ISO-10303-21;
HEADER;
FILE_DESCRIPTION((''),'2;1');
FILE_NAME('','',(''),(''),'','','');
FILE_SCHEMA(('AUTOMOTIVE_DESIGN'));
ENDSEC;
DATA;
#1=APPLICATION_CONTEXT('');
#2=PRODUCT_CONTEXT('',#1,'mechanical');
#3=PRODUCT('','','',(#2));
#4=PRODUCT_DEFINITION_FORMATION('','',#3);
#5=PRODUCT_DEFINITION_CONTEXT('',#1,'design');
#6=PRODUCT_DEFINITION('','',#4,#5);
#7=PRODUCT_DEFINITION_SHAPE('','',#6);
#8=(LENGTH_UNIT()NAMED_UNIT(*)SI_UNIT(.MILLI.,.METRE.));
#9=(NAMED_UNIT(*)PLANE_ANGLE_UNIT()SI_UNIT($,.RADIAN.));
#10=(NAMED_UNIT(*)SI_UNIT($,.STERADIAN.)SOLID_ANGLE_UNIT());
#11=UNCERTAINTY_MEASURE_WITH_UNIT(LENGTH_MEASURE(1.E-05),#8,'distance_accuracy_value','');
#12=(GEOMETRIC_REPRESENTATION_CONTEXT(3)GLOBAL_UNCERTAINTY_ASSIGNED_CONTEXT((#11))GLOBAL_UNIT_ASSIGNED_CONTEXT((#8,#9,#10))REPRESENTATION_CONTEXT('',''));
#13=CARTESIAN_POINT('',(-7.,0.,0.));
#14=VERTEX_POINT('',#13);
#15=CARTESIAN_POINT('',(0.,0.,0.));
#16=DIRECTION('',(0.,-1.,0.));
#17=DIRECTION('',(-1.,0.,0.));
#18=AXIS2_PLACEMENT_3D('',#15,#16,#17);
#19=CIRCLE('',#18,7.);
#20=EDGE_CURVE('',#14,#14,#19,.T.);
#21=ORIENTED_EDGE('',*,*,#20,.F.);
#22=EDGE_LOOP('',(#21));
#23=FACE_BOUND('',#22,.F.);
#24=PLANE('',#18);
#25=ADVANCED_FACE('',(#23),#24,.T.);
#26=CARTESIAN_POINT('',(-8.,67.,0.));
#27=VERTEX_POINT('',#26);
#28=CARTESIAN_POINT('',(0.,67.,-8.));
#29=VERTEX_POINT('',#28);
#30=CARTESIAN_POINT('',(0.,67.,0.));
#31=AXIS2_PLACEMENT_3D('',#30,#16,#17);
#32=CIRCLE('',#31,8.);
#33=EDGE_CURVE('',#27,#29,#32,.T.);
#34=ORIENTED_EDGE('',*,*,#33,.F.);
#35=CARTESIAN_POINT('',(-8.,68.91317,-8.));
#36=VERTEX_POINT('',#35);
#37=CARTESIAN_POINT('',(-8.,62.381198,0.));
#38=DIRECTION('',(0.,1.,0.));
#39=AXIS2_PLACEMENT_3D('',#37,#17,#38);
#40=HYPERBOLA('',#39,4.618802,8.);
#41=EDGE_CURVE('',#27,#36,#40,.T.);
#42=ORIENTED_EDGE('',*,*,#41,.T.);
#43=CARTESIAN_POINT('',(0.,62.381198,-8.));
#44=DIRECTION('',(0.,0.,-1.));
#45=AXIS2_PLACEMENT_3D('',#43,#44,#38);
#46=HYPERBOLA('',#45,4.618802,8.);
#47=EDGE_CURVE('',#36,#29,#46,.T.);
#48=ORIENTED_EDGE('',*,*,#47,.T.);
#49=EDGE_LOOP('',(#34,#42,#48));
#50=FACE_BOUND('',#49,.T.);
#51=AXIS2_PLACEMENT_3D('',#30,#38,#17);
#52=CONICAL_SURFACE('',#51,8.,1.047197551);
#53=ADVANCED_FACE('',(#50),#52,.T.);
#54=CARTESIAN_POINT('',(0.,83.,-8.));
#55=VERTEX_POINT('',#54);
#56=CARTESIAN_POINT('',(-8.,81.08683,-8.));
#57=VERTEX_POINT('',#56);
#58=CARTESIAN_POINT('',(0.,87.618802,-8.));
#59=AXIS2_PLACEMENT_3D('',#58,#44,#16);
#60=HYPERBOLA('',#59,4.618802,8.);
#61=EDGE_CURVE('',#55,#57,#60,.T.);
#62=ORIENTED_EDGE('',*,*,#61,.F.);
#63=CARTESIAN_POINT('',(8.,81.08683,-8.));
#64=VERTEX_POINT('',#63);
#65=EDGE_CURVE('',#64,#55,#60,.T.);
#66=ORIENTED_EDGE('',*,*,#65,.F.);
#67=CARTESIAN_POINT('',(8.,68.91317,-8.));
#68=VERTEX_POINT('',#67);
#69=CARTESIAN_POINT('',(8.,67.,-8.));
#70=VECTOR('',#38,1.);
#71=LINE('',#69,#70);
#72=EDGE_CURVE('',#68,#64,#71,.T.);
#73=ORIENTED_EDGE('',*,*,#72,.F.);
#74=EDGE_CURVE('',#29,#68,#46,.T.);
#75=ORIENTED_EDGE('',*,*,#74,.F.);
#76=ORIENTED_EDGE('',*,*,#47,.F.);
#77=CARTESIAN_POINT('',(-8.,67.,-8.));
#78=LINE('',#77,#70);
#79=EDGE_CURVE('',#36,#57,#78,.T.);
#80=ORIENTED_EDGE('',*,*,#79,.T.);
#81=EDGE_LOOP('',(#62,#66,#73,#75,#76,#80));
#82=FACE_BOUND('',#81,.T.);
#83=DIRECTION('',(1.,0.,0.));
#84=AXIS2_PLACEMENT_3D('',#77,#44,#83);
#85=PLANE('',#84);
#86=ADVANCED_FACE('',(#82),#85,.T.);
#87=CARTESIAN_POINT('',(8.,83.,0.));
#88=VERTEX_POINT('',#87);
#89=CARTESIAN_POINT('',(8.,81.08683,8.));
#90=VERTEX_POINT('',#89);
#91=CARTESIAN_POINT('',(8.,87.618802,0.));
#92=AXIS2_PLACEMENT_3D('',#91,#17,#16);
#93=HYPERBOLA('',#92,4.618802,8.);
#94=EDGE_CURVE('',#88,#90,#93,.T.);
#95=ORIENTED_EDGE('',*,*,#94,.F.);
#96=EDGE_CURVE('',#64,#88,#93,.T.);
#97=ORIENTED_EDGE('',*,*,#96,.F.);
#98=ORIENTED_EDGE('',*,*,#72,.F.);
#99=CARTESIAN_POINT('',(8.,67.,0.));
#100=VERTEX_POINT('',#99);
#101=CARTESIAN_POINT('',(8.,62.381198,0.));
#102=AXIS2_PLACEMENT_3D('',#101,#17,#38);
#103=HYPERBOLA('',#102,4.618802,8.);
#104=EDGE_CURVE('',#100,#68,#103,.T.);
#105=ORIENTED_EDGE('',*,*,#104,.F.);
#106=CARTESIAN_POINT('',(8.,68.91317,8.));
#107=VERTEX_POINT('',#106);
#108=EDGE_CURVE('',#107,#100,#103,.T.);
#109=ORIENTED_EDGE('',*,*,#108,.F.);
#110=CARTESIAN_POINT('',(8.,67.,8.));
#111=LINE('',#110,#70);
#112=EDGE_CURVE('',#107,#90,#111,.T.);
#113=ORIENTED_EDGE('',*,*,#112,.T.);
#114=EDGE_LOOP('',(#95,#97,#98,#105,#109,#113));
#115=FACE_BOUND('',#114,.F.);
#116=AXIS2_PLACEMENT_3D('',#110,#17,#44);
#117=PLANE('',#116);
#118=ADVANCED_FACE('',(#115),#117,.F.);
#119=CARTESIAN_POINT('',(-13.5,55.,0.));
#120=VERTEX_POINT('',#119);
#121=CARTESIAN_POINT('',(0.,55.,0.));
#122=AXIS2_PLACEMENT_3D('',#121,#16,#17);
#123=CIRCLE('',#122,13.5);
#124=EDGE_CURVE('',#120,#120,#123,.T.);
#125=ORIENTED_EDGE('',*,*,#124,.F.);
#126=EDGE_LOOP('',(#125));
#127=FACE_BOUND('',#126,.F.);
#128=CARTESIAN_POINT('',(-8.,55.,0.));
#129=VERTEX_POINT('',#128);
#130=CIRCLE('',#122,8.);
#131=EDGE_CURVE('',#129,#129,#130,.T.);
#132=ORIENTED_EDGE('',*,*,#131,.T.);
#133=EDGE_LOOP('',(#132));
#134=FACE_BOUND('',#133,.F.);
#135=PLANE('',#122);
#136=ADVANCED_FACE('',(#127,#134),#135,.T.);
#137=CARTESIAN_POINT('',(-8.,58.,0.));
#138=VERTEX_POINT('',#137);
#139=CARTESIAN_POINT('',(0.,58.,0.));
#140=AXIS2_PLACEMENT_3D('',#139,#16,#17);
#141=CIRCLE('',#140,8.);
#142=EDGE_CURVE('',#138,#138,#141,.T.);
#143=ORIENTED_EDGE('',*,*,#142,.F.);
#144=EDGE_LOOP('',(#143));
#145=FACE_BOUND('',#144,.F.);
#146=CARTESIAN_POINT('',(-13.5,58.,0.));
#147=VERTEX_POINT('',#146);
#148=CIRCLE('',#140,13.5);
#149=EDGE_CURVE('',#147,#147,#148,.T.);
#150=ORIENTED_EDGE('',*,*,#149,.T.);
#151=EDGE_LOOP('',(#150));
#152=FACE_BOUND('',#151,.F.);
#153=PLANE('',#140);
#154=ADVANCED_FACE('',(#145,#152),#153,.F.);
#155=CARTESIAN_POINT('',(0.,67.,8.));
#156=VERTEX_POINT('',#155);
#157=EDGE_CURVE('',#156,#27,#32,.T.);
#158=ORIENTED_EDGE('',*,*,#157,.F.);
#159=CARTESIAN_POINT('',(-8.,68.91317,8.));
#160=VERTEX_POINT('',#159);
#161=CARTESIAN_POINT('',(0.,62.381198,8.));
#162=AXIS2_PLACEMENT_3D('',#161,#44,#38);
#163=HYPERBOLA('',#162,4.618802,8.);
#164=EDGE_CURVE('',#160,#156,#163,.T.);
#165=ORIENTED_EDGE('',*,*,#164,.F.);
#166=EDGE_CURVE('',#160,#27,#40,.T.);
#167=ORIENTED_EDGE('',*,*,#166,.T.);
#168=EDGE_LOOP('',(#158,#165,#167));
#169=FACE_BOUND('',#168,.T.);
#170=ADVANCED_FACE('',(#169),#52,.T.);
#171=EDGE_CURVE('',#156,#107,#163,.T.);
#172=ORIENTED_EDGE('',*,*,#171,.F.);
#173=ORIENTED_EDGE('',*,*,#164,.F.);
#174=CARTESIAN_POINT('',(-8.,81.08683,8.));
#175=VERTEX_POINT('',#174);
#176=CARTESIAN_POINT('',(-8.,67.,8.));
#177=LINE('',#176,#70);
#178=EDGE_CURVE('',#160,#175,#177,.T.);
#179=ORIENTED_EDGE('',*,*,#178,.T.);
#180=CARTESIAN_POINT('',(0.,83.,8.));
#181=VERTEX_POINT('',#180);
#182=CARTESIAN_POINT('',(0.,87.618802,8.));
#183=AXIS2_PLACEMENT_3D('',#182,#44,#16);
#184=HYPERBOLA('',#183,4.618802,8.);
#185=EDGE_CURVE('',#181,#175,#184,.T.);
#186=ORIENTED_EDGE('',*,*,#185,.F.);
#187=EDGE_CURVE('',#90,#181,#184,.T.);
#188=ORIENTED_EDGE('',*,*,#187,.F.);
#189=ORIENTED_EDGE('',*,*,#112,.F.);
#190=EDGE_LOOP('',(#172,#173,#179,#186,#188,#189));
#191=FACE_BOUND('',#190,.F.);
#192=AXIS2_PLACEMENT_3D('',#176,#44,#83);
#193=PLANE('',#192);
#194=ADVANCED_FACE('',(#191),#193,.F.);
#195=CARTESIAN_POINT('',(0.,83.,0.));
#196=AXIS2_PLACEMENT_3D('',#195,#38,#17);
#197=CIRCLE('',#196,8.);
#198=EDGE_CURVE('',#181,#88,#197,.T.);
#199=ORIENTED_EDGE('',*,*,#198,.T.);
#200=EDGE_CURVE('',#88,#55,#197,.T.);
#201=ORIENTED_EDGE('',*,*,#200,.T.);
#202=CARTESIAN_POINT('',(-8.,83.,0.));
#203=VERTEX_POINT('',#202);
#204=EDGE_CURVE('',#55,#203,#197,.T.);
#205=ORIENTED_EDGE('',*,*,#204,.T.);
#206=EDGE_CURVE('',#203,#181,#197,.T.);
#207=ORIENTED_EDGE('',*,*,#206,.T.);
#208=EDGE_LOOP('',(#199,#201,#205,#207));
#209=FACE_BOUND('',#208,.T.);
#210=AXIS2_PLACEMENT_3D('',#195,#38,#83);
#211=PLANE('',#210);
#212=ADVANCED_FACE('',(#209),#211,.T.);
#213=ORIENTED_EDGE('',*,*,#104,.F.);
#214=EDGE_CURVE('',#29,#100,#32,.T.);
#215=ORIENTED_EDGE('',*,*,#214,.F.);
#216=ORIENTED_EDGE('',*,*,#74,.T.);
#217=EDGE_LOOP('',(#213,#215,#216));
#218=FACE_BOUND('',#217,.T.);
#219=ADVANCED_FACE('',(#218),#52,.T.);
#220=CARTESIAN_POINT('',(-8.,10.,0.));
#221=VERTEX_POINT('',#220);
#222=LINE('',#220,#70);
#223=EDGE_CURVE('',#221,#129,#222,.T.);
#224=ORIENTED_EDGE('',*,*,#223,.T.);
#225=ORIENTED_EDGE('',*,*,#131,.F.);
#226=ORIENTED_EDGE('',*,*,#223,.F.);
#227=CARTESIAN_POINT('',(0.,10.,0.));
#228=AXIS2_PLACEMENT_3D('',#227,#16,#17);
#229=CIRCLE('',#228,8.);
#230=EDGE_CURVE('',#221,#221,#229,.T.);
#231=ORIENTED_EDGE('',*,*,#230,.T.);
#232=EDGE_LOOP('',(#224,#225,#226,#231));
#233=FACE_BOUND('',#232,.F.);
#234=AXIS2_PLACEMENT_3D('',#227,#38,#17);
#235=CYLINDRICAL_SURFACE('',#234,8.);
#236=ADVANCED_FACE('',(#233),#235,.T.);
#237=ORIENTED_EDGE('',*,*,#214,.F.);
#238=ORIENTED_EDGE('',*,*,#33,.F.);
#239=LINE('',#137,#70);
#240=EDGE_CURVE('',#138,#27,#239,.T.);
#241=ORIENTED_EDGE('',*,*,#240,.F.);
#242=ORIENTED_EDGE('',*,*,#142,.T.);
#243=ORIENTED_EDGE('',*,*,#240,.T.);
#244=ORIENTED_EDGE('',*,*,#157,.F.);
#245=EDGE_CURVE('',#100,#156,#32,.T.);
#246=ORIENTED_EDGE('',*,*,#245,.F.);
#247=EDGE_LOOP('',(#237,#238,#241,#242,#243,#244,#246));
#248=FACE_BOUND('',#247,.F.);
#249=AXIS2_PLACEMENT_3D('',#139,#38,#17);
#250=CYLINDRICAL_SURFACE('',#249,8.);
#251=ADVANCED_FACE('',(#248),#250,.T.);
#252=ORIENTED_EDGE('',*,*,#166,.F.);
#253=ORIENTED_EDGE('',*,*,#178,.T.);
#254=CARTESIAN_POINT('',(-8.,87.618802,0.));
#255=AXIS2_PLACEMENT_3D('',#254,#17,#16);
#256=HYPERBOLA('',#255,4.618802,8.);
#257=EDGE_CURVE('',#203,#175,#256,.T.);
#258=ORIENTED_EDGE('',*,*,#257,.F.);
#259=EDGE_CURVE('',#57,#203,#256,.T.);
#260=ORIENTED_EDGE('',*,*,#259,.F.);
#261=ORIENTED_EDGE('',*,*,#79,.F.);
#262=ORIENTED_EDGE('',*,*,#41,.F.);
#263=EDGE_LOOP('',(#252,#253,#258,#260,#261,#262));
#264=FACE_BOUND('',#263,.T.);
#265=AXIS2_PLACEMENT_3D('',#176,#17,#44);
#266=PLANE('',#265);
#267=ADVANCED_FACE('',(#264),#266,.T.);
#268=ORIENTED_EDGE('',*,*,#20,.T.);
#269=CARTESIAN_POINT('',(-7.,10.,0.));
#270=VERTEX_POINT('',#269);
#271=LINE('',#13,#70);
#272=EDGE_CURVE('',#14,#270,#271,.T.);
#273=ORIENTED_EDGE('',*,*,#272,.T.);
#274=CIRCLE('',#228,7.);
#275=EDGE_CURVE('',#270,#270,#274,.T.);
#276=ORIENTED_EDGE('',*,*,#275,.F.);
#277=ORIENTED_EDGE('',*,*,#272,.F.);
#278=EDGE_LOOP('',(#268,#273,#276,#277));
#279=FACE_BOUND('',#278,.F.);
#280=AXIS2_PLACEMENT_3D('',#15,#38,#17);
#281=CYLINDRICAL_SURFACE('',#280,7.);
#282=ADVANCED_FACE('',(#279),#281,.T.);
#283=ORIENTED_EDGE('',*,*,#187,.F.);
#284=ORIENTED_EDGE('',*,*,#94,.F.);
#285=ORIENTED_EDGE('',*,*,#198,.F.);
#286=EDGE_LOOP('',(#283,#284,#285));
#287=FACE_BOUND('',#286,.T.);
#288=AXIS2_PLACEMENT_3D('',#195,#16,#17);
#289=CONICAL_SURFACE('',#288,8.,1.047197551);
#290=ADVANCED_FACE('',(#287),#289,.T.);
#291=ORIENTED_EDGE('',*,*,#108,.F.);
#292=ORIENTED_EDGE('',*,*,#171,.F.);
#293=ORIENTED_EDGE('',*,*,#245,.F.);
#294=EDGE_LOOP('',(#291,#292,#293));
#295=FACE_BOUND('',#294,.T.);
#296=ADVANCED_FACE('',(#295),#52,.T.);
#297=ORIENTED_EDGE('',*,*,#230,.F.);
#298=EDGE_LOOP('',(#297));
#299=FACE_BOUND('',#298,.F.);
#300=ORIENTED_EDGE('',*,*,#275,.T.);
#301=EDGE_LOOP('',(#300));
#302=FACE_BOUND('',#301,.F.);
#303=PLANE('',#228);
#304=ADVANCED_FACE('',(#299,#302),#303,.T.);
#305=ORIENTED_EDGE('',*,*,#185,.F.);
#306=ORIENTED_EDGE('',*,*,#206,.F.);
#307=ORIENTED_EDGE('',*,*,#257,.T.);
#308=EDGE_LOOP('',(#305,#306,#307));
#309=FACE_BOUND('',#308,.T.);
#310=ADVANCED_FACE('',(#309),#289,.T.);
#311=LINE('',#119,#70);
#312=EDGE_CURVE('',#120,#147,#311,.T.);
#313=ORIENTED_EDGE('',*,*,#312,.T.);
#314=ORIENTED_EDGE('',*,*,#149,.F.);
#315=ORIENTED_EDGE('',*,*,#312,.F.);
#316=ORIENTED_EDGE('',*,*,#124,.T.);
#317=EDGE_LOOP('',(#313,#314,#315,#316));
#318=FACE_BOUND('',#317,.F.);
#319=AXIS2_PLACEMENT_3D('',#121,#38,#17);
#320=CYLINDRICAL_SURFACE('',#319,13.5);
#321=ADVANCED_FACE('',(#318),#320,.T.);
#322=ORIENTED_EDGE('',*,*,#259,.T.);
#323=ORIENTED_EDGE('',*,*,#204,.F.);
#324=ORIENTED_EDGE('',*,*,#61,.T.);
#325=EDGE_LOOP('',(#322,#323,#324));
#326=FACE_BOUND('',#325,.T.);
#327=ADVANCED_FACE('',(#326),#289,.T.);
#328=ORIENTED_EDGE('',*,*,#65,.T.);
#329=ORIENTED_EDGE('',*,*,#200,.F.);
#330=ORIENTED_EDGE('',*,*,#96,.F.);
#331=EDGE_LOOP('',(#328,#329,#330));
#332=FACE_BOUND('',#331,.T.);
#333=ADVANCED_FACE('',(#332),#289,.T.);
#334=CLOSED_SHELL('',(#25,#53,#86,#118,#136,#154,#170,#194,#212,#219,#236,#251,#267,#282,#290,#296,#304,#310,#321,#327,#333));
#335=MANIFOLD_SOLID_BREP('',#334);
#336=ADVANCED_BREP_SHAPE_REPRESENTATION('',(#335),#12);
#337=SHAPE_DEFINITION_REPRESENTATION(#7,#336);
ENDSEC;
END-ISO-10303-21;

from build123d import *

# Parameters (mm, degrees)
SKETCH2_W           = 16
SKETCH2_H           = 16
BOSS_EXTRUDE1_DEPTH = 16
SKETCH3_OUTSIDE_W   = 81.914
SKETCH3_OUTSIDE_H   = 81.914
SKETCH3_OUTSIDE_R   = 8
CUT_EXTRUDE1_DEPTH  = 10
CUT_EXTRUDE1_DRAFT  = -60
SKETCH4_OUTSIDE_W   = 81.914
SKETCH4_OUTSIDE_H   = 81.914
SKETCH4_OUTSIDE_R   = 8
CUT_EXTRUDE2_DEPTH  = 10
CUT_EXTRUDE2_DRAFT  = -60


with BuildPart() as part:
    # Sketch1 → Revolve1 (revolve)
    with BuildSketch(Plane.XY):
        Polygon((0, 0), (-7, 0), (-7, 10), (-8, 10), (-8, 55), (-13.5, 55), (-13.5, 58), (-8, 58), (-8, 67), (0, 67), align=None)
    revolve(axis=Axis((0, 67, 0), (0, -1, 0)))

    # Sketch2 → Boss-Extrude1 (add)
    with BuildSketch(Plane(origin=(0, 67, 0), x_dir=(1, 0, 0), z_dir=(0, 1, 0))):
        Rectangle(SKETCH2_W, SKETCH2_H)
    extrude(amount=BOSS_EXTRUDE1_DEPTH)


with BuildPart() as cut_extrude1_tool:
    # Sketch3 outside → Cut-Extrude1 (with draft: the straight prism first)
    with BuildSketch(Plane(origin=(0, 83, 0), x_dir=(1, 0, 0), z_dir=(0, 1, 0))):
        Rectangle(SKETCH3_OUTSIDE_W, SKETCH3_OUTSIDE_H)
        with Locations(Location((0, 0, 0), (0, 0, 180))):
            Circle(SKETCH3_OUTSIDE_R, mode=Mode.SUBTRACT)
    extrude(amount=-CUT_EXTRUDE1_DEPTH)
    # Cut-Extrude1: the draft: its side faces are tilted about the plane it starts from
    cut_extrude1_sides = [cut_extrude1_tool.faces().sort_by_distance(p)[0] for p in [
        (0, 78, 40.957),
        (40.957, 78, 0),
        (0, 78, -40.957),
        (-40.957, 78, 0),
        (8, 78, 0),
    ]]
    draft(cut_extrude1_sides, Plane(origin=(0, 83, 0), x_dir=(1, 0, 0), z_dir=(0, 1, 0)), CUT_EXTRUDE1_DRAFT)


with BuildPart() as part_1:
    add(part.part)

    # Cut-Extrude1: cut by cut_extrude1_tool
    add(cut_extrude1_tool.part, mode=Mode.SUBTRACT)


with BuildPart() as cut_extrude2_tool:
    # Sketch4 outside → Cut-Extrude2 (with draft: the straight prism first)
    with BuildSketch(Plane.XZ.offset(-67)):
        Rectangle(SKETCH4_OUTSIDE_W, SKETCH4_OUTSIDE_H)
        with Locations(Location((0, 0, 0), (0, 0, 180))):
            Circle(SKETCH4_OUTSIDE_R, mode=Mode.SUBTRACT)
    extrude(amount=-CUT_EXTRUDE2_DEPTH)
    # Cut-Extrude2: the draft: its side faces are tilted about the plane it starts from
    cut_extrude2_sides = [cut_extrude2_tool.faces().sort_by_distance(p)[0] for p in [
        (0, 72, -40.957),
        (40.957, 72, 0),
        (0, 72, 40.957),
        (-40.957, 72, 0),
        (8, 72, 0),
    ]]
    draft(cut_extrude2_sides, Plane.XZ.offset(-67), CUT_EXTRUDE2_DRAFT)


with BuildPart() as part_2:
    add(part_1.part)

    # Cut-Extrude2: cut by cut_extrude2_tool
    add(cut_extrude2_tool.part, mode=Mode.SUBTRACT)


solid = part_2.part
